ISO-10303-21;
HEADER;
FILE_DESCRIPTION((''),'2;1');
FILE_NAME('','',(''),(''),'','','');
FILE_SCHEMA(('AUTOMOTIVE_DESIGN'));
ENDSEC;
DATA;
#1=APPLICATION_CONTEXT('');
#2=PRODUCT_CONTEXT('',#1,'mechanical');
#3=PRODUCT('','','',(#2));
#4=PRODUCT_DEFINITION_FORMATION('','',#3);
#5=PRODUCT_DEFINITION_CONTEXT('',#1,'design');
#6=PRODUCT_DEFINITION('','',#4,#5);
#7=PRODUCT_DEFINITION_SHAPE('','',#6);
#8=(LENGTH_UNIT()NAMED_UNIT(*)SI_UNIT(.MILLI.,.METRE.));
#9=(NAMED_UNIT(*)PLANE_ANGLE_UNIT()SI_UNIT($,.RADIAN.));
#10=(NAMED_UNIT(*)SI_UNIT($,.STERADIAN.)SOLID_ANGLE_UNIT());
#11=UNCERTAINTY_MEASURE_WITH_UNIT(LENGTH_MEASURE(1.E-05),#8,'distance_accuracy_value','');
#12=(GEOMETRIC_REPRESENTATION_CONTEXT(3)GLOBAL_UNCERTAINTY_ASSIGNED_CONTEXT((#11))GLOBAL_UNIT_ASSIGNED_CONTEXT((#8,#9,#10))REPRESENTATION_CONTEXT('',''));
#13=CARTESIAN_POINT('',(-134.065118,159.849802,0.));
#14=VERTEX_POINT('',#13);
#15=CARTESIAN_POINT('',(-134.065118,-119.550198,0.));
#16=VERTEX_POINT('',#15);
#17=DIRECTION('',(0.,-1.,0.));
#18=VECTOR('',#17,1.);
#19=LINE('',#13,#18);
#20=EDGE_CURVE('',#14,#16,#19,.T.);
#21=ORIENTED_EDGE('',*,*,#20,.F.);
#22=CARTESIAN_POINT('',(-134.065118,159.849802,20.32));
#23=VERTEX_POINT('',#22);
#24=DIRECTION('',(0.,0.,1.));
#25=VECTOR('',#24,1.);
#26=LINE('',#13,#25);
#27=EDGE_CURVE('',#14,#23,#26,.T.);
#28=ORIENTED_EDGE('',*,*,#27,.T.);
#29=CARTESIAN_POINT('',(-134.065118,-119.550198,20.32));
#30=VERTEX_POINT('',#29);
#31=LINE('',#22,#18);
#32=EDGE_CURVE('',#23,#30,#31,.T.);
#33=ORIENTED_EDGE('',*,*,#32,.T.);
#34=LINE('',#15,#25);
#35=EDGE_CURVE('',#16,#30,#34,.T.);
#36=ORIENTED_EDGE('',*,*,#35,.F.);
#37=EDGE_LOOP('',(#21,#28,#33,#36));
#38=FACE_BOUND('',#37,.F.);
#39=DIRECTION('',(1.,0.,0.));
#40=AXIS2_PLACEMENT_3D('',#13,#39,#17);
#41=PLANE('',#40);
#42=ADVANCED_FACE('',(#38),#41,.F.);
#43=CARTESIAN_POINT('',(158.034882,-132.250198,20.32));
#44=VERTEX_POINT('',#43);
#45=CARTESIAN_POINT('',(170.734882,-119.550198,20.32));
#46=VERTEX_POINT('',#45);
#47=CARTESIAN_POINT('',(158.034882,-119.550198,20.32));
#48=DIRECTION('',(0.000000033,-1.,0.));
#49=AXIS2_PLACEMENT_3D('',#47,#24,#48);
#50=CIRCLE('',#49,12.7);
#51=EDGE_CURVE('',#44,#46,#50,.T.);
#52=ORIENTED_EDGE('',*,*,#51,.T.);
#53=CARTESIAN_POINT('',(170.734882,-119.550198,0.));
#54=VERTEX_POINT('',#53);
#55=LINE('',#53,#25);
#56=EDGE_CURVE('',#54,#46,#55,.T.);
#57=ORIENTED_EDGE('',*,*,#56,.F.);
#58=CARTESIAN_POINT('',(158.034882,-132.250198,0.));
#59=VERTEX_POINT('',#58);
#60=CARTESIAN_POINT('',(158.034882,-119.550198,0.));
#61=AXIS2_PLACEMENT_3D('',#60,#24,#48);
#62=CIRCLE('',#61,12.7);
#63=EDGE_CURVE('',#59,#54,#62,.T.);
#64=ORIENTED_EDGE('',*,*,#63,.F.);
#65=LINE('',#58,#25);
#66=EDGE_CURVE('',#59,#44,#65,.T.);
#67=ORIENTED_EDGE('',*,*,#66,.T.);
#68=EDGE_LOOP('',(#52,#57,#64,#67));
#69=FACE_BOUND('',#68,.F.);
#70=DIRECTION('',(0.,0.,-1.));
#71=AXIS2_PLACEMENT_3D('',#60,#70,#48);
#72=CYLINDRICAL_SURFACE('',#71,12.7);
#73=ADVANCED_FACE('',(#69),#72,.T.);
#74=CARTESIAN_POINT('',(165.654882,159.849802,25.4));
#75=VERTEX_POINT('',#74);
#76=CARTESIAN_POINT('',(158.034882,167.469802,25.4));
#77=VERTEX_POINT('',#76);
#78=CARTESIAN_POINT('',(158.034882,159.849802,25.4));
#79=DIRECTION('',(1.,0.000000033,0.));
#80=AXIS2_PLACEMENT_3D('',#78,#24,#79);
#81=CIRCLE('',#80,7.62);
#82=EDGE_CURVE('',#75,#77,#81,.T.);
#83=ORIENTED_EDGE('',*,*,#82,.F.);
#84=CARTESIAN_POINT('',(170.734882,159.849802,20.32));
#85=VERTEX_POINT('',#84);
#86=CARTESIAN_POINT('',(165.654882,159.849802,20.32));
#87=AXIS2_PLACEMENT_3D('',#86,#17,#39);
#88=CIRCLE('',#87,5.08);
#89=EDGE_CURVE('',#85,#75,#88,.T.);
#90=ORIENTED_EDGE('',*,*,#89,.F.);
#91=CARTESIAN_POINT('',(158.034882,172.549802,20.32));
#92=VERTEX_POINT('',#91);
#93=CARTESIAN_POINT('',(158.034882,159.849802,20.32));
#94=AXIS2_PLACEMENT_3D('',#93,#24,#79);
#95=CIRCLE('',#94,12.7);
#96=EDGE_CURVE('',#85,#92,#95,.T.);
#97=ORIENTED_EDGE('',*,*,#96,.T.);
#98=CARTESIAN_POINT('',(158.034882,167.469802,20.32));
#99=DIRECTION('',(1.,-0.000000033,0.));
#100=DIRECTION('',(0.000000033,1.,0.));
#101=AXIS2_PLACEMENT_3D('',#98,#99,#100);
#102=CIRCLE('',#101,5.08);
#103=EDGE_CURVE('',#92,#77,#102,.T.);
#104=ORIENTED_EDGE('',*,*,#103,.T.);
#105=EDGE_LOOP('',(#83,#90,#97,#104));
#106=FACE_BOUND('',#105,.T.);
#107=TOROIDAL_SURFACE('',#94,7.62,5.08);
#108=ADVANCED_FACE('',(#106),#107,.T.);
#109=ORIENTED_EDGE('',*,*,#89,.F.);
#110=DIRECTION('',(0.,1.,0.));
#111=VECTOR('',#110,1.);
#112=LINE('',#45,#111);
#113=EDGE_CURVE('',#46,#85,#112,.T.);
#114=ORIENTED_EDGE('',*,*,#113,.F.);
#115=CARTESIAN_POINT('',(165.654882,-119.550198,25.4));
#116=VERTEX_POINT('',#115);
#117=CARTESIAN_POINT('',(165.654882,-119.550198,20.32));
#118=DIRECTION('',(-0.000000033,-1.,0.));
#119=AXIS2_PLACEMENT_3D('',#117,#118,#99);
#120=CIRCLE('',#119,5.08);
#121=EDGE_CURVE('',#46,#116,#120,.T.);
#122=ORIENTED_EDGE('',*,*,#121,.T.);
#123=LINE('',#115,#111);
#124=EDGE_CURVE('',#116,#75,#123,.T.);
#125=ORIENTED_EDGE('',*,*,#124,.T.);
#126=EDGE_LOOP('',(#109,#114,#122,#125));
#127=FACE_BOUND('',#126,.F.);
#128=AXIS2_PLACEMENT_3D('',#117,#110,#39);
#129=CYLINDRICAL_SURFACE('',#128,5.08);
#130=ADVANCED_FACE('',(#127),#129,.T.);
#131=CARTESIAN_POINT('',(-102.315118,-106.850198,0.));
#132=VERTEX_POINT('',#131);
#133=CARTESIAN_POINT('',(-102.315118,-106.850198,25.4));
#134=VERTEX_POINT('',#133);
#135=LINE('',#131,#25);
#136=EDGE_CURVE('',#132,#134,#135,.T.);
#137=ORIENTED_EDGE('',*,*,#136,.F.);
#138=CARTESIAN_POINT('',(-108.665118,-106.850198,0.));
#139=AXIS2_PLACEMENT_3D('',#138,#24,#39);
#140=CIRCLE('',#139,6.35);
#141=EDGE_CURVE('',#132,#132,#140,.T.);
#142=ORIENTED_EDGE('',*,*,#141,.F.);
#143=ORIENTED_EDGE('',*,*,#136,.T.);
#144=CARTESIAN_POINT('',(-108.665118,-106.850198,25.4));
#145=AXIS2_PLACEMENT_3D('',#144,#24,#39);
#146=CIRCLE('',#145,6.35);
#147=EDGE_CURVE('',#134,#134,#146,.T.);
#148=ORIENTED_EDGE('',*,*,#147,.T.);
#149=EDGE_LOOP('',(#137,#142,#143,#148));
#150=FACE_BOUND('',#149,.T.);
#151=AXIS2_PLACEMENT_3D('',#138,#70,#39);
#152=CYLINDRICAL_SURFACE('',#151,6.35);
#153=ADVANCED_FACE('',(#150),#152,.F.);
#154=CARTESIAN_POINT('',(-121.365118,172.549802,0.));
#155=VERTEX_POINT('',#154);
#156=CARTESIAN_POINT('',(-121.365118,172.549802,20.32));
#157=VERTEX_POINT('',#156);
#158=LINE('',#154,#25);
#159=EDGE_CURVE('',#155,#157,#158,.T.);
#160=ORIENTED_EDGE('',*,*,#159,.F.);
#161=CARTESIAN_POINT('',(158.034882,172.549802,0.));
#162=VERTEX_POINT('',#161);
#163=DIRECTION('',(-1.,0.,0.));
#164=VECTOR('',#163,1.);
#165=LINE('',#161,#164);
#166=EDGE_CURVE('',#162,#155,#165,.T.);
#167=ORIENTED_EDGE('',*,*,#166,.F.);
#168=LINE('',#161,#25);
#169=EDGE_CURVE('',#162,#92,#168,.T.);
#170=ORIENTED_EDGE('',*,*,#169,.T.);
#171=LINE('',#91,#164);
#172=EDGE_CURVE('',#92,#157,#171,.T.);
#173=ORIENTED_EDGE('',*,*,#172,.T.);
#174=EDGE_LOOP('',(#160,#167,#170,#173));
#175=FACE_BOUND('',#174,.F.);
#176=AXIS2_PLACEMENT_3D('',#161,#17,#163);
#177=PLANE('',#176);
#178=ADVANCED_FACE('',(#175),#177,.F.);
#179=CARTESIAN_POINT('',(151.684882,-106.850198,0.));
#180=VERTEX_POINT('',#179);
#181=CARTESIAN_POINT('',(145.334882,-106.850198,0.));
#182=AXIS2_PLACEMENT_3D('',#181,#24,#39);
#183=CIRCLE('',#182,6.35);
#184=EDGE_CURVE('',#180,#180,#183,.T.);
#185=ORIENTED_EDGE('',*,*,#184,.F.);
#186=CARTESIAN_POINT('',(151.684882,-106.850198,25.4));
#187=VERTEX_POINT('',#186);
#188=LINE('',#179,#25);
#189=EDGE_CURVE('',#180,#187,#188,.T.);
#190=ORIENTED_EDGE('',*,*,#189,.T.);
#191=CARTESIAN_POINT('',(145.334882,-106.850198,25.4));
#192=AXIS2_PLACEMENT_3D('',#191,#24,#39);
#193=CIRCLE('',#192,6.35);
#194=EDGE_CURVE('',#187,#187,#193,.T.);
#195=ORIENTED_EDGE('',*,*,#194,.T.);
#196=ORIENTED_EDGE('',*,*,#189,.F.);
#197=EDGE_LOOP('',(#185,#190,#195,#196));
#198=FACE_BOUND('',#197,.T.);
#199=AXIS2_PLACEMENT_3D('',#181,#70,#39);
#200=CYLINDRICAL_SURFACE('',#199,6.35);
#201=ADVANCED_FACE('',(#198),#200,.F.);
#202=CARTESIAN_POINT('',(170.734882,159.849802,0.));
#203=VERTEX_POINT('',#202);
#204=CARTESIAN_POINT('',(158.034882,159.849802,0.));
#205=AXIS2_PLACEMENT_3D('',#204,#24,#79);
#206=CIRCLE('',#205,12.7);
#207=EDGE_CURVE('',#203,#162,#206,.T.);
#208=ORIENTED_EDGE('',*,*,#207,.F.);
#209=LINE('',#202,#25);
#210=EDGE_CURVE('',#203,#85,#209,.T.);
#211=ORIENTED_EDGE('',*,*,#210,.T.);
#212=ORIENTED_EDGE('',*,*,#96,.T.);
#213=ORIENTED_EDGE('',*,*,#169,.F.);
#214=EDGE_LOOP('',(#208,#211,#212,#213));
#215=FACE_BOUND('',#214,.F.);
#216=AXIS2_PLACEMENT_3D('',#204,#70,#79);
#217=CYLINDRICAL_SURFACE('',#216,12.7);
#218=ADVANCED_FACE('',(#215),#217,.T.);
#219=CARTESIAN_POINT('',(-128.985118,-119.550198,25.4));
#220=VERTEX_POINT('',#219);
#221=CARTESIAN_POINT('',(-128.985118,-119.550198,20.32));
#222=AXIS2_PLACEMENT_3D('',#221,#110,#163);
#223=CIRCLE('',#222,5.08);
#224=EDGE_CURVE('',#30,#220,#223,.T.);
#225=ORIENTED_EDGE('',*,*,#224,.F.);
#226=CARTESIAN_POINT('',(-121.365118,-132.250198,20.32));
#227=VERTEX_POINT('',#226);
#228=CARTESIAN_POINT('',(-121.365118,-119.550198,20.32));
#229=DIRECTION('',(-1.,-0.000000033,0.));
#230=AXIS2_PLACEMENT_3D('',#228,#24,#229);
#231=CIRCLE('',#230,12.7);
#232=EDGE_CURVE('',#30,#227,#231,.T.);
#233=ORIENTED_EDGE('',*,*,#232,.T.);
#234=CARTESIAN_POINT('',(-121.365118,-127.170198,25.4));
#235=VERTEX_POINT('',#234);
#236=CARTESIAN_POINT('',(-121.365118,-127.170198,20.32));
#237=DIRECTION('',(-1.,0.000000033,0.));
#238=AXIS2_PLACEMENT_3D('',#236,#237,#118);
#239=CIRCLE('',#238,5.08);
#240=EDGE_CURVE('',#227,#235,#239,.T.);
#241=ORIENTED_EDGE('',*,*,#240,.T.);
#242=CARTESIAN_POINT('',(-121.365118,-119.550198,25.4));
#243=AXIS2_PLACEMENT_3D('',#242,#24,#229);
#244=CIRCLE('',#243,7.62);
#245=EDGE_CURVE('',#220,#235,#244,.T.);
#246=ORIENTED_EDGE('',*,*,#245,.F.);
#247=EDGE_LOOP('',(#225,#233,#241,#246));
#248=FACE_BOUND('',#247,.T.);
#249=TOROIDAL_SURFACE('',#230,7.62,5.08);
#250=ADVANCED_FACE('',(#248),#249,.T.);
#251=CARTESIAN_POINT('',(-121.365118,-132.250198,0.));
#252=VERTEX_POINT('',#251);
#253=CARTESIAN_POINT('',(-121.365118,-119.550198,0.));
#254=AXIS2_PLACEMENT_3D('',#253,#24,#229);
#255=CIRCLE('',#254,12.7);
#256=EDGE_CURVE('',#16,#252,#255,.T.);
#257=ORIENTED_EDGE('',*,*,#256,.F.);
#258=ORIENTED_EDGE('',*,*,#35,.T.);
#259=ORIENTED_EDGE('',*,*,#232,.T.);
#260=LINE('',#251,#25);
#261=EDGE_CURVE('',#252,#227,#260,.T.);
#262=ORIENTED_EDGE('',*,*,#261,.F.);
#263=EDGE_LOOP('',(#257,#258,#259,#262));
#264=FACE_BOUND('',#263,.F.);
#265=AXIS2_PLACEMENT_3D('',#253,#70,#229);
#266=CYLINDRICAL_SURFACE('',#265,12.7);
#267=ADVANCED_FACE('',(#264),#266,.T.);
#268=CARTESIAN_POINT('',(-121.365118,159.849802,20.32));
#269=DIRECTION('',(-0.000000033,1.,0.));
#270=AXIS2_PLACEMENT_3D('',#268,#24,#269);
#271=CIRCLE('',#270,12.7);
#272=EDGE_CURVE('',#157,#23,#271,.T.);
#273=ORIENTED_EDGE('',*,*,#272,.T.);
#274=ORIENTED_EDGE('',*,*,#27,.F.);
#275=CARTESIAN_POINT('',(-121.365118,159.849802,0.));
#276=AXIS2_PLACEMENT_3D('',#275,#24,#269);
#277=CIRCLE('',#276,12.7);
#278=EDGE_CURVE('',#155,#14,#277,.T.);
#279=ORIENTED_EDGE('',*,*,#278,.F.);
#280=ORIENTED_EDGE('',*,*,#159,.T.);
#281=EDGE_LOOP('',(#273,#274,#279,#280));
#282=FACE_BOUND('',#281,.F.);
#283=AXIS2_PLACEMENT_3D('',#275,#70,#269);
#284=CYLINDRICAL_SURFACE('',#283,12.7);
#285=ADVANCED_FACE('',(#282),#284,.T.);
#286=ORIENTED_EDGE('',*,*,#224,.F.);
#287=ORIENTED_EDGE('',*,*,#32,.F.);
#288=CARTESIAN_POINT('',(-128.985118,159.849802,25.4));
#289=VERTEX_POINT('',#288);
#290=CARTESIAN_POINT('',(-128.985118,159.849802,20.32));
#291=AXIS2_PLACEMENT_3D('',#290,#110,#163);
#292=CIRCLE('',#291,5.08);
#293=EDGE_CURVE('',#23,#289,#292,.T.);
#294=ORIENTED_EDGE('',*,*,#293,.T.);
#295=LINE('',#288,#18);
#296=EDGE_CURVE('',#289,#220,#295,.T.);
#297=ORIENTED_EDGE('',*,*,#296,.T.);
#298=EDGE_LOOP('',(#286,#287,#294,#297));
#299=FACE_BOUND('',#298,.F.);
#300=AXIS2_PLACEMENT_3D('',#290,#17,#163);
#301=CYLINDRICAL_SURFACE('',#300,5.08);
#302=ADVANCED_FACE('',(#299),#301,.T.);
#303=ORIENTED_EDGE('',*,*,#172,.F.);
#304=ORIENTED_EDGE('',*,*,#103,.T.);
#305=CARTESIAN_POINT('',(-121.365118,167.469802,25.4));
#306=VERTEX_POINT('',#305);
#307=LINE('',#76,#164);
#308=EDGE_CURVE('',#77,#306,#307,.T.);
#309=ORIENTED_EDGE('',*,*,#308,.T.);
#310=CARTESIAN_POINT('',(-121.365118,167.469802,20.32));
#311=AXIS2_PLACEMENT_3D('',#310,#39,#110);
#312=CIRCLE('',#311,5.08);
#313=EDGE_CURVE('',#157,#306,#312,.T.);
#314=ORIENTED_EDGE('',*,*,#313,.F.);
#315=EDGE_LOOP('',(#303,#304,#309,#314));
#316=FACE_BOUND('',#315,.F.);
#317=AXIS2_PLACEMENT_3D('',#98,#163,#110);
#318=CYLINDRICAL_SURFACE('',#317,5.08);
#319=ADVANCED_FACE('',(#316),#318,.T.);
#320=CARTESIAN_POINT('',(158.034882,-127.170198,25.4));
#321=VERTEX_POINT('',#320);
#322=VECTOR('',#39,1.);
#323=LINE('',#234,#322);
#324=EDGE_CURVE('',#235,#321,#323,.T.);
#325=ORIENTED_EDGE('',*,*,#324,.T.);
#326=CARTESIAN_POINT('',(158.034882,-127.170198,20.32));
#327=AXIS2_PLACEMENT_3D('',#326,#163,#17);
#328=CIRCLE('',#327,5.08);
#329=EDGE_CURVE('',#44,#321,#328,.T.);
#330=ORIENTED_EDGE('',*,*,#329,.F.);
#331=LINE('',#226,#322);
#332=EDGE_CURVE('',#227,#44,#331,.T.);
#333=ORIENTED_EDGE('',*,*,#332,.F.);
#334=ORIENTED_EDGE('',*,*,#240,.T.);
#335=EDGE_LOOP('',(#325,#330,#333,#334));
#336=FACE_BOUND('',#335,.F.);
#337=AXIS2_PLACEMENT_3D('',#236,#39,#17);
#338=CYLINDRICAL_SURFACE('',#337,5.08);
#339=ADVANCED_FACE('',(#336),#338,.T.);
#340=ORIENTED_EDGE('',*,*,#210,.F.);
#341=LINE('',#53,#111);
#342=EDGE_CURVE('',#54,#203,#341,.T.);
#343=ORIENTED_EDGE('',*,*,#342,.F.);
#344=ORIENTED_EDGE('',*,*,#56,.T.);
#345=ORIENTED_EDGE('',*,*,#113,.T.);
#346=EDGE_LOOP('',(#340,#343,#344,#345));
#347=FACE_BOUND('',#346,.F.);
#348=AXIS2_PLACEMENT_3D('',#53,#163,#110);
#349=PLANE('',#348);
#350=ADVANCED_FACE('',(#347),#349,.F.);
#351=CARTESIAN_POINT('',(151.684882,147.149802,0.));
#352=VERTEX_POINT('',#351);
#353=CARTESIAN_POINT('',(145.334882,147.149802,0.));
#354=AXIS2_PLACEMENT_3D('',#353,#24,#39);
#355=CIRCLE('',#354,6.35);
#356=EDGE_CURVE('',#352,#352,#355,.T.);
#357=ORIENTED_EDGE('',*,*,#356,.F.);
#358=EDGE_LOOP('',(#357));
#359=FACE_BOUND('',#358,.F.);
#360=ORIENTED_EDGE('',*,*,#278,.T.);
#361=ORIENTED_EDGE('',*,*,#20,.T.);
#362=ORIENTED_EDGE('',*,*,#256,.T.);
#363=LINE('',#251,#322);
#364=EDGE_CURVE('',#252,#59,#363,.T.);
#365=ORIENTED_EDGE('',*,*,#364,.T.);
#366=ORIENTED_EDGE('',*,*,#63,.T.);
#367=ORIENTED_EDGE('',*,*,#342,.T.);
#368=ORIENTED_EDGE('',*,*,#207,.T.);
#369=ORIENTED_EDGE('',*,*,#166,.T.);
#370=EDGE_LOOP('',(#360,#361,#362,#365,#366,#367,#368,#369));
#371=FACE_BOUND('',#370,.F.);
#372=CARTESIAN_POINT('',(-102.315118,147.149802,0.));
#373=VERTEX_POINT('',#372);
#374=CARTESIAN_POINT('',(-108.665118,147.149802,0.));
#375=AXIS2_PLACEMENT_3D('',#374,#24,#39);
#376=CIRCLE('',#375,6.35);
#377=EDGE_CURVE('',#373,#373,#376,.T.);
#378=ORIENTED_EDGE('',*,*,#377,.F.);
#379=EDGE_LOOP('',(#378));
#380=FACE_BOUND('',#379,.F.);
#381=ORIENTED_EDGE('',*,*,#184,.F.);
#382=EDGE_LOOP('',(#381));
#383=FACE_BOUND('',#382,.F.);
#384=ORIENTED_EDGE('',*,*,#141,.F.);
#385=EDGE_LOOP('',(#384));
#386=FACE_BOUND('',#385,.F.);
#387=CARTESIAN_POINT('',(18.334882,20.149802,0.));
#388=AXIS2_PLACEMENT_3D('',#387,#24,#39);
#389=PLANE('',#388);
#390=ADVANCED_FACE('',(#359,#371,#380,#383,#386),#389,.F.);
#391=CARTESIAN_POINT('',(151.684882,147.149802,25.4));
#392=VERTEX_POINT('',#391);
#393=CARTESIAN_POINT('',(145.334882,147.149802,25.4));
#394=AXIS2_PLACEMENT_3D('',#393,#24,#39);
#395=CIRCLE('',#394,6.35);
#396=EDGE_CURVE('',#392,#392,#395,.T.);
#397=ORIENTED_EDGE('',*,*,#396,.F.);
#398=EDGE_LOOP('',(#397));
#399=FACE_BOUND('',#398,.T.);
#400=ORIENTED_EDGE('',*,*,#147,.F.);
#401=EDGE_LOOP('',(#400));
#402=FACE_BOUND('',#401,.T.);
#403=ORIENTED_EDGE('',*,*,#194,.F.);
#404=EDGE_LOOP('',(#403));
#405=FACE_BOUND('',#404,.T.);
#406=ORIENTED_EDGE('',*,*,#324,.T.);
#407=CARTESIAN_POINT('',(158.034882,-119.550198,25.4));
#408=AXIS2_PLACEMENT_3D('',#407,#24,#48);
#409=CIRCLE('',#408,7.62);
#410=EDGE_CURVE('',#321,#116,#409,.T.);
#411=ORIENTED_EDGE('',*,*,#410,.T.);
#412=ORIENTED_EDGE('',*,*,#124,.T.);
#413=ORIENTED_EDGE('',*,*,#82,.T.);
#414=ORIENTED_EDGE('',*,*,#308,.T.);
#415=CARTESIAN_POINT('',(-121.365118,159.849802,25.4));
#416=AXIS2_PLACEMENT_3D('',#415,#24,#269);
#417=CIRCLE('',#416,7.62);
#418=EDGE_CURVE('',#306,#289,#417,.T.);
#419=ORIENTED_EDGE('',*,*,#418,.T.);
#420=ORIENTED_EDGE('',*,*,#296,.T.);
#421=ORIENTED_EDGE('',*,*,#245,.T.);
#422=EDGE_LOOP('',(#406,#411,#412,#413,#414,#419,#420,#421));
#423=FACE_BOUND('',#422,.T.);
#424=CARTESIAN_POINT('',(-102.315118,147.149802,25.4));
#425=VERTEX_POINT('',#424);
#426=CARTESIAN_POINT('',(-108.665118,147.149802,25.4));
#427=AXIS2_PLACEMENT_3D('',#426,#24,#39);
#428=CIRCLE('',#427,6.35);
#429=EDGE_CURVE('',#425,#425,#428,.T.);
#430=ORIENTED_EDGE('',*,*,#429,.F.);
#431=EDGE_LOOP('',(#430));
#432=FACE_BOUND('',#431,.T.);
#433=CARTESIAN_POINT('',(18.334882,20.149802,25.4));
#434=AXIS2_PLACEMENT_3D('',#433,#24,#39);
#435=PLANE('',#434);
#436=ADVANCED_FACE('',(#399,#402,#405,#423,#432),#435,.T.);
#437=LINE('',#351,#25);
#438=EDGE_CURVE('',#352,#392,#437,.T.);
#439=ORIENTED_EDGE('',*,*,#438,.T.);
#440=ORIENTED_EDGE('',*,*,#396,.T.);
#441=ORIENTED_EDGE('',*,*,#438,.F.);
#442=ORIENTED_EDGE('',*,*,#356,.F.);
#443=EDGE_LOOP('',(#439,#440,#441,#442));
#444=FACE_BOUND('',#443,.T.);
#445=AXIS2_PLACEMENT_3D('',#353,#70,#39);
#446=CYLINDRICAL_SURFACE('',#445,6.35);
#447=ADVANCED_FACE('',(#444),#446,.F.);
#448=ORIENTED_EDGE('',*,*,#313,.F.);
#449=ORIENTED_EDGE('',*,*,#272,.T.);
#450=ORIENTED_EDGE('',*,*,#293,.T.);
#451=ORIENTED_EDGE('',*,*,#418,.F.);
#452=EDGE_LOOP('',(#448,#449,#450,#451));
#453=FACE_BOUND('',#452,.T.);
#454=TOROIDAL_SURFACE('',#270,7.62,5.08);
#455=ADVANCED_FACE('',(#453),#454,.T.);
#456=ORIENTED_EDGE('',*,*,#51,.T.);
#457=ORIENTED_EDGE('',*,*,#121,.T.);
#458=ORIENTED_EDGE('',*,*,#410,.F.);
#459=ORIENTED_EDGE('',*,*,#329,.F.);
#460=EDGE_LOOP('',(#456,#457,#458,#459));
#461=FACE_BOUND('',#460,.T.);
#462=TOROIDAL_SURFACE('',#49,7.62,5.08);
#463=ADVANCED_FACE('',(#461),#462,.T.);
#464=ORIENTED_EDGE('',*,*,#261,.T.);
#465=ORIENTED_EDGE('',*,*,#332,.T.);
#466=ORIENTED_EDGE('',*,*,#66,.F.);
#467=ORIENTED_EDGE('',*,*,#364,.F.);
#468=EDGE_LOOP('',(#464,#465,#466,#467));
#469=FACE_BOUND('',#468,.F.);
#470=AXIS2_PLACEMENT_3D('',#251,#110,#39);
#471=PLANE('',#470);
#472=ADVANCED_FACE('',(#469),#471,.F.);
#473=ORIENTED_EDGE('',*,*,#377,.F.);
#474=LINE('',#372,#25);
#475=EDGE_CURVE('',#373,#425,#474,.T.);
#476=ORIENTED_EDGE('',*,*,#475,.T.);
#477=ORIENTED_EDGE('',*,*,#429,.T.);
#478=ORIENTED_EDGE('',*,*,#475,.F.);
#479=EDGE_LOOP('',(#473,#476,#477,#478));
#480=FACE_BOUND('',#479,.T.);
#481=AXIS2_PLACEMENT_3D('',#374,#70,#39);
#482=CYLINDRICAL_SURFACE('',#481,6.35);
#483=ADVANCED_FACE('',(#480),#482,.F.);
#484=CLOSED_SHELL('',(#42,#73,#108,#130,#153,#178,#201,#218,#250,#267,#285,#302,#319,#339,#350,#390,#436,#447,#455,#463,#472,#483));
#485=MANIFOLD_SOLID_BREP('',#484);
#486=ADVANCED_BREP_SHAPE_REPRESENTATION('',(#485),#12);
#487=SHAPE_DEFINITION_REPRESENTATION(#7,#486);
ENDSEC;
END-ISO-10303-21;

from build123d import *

# Parameters (mm, degrees)
F0_R     = 6.35
F1_DEPTH = 25.4
F2_R     = 5.08


with BuildPart() as f1:
    # F0 (on Top) → F1 (new body)
    with BuildSketch(Plane.XY):
        with BuildLine():
            Line((158.034882, 172.549802), (-121.365118, 172.549802))
            ThreePointArc((-121.365118, 172.549802), (-130.345374, 168.830058), (-134.065118, 159.849802))
            Line((-134.065118, 159.849802), (-134.065118, -119.550198))
            ThreePointArc((-134.065118, -119.550198), (-130.345374, -128.530454), (-121.365118, -132.250198))
            Line((-121.365118, -132.250198), (158.034882, -132.250198))
            ThreePointArc((158.034882, -132.250198), (167.015138, -128.530454), (170.734882, -119.550198))
            Line((170.734882, -119.550198), (170.734882, 159.849802))
            ThreePointArc((170.734882, 159.849802), (167.015138, 168.830058), (158.034882, 172.549802))
        make_face()
        with Locations((-108.665118, -106.850198)):
            Circle(F0_R, mode=Mode.SUBTRACT)
        with Locations((145.334882, -106.850198)):
            Circle(F0_R, mode=Mode.SUBTRACT)
        with Locations((-108.665118, 147.149802)):
            Circle(F0_R, mode=Mode.SUBTRACT)
        with Locations((145.334882, 147.149802)):
            Circle(F0_R, mode=Mode.SUBTRACT)
    extrude(amount=F1_DEPTH)

    # F2
    f2_edges = [f1.edges().sort_by_distance(p)[0] for p in [
        (-134.065118, 20.149802, 25.4),
        (-130.345374, -128.530454, 25.4),
        (18.334882, -132.250198, 25.4),
        (167.015138, -128.530454, 25.4),
        (170.734882, 20.149802, 25.4),
        (167.015138, 168.830058, 25.4),
        (18.334882, 172.549802, 25.4),
        (-130.345374, 168.830058, 25.4),
    ]]
    fillet(f2_edges, radius=F2_R)


solid = f1.part
